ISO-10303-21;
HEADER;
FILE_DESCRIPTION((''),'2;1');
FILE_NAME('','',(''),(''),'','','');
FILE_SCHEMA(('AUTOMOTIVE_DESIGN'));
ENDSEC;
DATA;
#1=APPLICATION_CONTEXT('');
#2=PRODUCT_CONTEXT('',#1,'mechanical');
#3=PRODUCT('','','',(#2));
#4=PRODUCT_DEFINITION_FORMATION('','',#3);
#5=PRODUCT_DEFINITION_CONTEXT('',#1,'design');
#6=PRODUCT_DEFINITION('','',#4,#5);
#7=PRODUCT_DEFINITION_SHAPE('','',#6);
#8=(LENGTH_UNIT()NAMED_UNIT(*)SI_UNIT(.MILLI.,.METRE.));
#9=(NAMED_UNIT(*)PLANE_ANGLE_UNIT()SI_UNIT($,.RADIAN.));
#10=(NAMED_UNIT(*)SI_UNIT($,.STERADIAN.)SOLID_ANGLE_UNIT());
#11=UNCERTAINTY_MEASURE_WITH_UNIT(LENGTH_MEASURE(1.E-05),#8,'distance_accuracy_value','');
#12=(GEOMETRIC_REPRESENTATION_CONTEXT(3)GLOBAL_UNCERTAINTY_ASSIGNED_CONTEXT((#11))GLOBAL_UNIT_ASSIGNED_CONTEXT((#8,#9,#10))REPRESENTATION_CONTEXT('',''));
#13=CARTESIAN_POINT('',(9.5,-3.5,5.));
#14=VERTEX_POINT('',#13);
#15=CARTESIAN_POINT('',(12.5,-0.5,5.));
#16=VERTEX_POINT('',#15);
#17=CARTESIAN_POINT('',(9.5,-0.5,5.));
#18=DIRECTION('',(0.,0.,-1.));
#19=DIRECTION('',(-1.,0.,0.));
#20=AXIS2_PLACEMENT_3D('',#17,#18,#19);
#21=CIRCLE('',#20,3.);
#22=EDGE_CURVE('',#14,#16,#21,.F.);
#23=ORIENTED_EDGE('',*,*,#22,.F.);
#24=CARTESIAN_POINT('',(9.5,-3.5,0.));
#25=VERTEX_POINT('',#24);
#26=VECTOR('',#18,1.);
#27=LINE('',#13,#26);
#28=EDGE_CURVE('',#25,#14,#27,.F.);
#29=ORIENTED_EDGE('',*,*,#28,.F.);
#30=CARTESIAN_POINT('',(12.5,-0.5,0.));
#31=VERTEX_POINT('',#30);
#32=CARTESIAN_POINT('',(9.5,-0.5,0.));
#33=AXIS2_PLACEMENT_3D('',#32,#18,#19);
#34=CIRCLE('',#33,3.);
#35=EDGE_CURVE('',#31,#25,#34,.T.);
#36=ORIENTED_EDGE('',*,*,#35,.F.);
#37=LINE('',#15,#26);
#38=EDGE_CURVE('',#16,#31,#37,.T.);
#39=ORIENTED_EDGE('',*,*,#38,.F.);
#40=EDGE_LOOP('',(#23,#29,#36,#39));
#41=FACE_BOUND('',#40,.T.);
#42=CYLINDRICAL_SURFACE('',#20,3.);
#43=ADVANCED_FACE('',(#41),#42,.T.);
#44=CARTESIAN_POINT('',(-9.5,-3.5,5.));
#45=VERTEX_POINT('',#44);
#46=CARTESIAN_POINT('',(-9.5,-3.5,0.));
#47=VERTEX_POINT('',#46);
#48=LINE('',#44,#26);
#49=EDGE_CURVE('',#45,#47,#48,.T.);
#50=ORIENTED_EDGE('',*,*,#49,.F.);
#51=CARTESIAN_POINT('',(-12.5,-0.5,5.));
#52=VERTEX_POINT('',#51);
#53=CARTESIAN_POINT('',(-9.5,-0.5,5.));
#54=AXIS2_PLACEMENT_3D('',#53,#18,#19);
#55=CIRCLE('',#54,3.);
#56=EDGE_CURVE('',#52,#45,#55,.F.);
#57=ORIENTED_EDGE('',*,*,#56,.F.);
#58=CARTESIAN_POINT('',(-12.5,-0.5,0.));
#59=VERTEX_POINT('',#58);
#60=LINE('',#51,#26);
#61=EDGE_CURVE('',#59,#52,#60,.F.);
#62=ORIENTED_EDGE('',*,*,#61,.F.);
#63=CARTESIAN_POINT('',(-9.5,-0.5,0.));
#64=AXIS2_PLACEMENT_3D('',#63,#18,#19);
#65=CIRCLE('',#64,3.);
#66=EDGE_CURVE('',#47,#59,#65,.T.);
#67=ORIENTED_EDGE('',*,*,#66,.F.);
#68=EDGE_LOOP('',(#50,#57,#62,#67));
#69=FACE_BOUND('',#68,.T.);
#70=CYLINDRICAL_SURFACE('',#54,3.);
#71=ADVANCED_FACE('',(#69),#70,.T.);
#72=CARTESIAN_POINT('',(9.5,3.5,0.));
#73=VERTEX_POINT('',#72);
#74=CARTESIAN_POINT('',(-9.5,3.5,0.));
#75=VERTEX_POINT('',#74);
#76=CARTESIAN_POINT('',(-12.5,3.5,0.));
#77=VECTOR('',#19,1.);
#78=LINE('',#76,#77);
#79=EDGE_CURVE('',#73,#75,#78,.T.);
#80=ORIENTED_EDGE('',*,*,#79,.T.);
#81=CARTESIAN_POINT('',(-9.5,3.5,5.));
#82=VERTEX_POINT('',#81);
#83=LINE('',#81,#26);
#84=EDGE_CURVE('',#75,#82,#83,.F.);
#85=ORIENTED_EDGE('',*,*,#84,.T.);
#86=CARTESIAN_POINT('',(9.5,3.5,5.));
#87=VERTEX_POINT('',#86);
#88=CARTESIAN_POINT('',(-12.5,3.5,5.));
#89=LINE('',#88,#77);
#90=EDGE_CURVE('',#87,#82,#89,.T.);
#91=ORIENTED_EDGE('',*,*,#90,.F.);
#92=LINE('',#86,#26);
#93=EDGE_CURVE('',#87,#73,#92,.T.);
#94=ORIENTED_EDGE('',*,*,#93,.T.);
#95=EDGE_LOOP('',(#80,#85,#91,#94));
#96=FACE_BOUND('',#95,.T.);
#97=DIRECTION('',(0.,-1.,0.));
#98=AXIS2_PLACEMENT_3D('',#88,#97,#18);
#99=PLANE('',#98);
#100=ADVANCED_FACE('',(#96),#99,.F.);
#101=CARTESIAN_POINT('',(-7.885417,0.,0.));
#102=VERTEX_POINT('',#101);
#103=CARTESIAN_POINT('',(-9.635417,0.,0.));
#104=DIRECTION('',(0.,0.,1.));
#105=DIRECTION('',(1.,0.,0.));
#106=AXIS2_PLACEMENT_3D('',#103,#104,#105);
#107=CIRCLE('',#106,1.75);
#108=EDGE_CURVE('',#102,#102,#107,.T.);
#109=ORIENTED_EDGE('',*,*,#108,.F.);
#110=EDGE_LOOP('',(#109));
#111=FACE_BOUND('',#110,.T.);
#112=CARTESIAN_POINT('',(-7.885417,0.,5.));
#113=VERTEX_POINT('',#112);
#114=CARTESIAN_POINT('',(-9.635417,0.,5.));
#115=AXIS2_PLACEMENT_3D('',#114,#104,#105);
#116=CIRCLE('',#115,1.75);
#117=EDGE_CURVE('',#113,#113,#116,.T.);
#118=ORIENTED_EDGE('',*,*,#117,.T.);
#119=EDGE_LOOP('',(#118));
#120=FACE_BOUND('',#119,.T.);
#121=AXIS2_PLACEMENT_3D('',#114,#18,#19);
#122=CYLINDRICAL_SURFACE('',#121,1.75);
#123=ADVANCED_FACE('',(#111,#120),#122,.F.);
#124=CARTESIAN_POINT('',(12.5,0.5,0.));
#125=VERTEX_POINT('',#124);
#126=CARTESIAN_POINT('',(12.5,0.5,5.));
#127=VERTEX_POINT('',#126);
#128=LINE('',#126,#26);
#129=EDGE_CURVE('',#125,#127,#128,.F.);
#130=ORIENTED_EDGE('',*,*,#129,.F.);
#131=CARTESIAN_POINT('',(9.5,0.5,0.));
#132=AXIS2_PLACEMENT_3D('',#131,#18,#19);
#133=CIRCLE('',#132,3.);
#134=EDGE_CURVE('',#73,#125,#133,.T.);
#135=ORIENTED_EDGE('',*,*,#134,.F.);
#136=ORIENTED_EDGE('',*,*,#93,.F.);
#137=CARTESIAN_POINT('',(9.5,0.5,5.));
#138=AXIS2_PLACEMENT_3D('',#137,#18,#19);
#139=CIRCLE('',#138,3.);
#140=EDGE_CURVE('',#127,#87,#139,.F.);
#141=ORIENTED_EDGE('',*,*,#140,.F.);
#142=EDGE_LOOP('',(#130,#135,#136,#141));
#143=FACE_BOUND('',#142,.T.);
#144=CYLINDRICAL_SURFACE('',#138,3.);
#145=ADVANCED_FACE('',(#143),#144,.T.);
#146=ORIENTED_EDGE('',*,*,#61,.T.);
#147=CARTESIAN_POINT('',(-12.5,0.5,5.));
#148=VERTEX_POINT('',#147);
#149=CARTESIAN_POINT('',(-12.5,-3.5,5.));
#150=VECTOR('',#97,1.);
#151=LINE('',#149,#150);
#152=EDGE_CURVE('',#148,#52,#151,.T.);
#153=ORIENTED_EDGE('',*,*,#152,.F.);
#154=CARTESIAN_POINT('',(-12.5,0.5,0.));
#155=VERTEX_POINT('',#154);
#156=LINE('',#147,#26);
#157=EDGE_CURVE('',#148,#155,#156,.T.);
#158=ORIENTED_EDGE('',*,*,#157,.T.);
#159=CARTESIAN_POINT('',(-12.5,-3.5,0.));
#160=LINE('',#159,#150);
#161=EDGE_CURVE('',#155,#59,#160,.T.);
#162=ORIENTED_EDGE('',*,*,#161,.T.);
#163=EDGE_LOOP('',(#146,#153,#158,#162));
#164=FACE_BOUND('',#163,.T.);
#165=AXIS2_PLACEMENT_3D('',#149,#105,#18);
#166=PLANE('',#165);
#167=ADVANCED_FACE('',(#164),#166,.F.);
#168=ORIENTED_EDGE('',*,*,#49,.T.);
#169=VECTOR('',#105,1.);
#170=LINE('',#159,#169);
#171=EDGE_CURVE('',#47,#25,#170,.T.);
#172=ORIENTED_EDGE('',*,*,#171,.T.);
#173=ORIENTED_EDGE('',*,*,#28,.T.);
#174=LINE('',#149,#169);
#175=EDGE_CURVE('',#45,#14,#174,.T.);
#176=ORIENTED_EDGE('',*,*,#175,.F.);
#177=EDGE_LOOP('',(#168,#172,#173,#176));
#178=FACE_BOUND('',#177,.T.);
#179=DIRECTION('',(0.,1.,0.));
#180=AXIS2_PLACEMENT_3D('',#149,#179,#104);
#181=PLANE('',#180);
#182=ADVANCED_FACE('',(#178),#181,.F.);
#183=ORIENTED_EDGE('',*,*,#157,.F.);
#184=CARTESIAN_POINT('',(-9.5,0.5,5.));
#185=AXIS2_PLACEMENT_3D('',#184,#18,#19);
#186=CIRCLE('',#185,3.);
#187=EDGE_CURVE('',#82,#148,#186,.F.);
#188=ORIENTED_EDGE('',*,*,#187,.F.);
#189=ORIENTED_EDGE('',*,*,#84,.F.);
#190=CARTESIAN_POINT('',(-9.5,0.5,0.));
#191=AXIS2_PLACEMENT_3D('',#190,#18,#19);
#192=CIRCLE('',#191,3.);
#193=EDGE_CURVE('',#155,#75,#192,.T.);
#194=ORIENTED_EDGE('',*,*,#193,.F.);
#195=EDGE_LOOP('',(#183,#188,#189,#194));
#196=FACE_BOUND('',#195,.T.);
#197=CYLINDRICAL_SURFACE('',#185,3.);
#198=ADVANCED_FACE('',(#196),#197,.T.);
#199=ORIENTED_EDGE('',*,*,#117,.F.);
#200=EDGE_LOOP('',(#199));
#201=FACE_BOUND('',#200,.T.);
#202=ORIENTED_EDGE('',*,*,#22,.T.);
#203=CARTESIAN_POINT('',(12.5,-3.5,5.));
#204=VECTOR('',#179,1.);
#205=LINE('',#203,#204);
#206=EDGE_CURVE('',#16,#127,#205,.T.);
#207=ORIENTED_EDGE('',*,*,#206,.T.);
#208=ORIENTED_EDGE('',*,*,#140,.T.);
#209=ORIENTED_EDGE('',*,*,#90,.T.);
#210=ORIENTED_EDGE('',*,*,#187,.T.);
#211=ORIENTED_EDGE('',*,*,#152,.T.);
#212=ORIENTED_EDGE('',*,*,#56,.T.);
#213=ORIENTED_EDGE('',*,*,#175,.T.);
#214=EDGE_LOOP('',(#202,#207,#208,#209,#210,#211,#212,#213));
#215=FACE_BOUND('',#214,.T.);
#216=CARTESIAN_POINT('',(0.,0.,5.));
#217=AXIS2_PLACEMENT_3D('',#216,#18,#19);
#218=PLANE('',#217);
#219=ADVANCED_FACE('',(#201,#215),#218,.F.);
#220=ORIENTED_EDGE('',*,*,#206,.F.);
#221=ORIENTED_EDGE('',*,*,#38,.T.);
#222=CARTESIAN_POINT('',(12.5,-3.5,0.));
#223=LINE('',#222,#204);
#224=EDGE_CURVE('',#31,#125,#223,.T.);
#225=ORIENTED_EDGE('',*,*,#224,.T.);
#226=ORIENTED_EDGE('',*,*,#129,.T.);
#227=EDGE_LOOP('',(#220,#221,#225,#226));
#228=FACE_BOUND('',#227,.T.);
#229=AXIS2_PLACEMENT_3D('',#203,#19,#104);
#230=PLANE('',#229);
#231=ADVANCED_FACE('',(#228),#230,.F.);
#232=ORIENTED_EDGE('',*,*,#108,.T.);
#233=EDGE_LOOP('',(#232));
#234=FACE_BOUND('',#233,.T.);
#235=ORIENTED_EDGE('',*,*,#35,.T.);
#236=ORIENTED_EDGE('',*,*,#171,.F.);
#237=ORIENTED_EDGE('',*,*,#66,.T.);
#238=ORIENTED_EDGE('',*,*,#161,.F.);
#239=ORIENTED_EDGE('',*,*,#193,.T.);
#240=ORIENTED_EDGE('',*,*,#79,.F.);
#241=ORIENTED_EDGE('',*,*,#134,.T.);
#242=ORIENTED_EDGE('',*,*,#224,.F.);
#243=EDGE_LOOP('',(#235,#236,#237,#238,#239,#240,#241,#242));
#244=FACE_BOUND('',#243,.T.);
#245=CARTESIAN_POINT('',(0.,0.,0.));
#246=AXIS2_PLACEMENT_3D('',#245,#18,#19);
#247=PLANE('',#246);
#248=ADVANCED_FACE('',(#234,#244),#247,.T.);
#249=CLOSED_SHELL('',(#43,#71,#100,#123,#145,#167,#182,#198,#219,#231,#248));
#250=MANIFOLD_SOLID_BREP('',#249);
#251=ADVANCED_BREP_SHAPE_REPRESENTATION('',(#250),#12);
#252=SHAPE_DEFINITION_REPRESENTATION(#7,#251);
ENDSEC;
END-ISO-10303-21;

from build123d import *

# Parameters (mm, degrees)
SKETCH1_W           = 25
SKETCH1_H           = 7
SKETCH1_R           = 1.75
BOSS_EXTRUDE1_DEPTH = 5
FILLET1_R           = 3
FILLET2_R           = 3


with BuildPart() as part:
    # Sketch1 → Boss-Extrude1 (new body)
    with BuildSketch(Plane.XY):
        Rectangle(SKETCH1_W, SKETCH1_H)
        with Locations((-9.635416667, 0)):
            Circle(SKETCH1_R, mode=Mode.SUBTRACT)
    extrude(amount=BOSS_EXTRUDE1_DEPTH)

    # Fillet1
    fillet1_edges = [part.edges().sort_by_distance(p)[0] for p in [
        (-12.5, -3.5, 2.5),
        (-12.5, 3.5, 2.5),
    ]]
    fillet(fillet1_edges, radius=FILLET1_R)

    # Fillet2
    fillet2_edges = [part.edges().sort_by_distance(p)[0] for p in [
        (12.5, -3.5, 2.5),
        (12.5, 3.5, 2.5),
    ]]
    fillet(fillet2_edges, radius=FILLET2_R)


solid = part.part
